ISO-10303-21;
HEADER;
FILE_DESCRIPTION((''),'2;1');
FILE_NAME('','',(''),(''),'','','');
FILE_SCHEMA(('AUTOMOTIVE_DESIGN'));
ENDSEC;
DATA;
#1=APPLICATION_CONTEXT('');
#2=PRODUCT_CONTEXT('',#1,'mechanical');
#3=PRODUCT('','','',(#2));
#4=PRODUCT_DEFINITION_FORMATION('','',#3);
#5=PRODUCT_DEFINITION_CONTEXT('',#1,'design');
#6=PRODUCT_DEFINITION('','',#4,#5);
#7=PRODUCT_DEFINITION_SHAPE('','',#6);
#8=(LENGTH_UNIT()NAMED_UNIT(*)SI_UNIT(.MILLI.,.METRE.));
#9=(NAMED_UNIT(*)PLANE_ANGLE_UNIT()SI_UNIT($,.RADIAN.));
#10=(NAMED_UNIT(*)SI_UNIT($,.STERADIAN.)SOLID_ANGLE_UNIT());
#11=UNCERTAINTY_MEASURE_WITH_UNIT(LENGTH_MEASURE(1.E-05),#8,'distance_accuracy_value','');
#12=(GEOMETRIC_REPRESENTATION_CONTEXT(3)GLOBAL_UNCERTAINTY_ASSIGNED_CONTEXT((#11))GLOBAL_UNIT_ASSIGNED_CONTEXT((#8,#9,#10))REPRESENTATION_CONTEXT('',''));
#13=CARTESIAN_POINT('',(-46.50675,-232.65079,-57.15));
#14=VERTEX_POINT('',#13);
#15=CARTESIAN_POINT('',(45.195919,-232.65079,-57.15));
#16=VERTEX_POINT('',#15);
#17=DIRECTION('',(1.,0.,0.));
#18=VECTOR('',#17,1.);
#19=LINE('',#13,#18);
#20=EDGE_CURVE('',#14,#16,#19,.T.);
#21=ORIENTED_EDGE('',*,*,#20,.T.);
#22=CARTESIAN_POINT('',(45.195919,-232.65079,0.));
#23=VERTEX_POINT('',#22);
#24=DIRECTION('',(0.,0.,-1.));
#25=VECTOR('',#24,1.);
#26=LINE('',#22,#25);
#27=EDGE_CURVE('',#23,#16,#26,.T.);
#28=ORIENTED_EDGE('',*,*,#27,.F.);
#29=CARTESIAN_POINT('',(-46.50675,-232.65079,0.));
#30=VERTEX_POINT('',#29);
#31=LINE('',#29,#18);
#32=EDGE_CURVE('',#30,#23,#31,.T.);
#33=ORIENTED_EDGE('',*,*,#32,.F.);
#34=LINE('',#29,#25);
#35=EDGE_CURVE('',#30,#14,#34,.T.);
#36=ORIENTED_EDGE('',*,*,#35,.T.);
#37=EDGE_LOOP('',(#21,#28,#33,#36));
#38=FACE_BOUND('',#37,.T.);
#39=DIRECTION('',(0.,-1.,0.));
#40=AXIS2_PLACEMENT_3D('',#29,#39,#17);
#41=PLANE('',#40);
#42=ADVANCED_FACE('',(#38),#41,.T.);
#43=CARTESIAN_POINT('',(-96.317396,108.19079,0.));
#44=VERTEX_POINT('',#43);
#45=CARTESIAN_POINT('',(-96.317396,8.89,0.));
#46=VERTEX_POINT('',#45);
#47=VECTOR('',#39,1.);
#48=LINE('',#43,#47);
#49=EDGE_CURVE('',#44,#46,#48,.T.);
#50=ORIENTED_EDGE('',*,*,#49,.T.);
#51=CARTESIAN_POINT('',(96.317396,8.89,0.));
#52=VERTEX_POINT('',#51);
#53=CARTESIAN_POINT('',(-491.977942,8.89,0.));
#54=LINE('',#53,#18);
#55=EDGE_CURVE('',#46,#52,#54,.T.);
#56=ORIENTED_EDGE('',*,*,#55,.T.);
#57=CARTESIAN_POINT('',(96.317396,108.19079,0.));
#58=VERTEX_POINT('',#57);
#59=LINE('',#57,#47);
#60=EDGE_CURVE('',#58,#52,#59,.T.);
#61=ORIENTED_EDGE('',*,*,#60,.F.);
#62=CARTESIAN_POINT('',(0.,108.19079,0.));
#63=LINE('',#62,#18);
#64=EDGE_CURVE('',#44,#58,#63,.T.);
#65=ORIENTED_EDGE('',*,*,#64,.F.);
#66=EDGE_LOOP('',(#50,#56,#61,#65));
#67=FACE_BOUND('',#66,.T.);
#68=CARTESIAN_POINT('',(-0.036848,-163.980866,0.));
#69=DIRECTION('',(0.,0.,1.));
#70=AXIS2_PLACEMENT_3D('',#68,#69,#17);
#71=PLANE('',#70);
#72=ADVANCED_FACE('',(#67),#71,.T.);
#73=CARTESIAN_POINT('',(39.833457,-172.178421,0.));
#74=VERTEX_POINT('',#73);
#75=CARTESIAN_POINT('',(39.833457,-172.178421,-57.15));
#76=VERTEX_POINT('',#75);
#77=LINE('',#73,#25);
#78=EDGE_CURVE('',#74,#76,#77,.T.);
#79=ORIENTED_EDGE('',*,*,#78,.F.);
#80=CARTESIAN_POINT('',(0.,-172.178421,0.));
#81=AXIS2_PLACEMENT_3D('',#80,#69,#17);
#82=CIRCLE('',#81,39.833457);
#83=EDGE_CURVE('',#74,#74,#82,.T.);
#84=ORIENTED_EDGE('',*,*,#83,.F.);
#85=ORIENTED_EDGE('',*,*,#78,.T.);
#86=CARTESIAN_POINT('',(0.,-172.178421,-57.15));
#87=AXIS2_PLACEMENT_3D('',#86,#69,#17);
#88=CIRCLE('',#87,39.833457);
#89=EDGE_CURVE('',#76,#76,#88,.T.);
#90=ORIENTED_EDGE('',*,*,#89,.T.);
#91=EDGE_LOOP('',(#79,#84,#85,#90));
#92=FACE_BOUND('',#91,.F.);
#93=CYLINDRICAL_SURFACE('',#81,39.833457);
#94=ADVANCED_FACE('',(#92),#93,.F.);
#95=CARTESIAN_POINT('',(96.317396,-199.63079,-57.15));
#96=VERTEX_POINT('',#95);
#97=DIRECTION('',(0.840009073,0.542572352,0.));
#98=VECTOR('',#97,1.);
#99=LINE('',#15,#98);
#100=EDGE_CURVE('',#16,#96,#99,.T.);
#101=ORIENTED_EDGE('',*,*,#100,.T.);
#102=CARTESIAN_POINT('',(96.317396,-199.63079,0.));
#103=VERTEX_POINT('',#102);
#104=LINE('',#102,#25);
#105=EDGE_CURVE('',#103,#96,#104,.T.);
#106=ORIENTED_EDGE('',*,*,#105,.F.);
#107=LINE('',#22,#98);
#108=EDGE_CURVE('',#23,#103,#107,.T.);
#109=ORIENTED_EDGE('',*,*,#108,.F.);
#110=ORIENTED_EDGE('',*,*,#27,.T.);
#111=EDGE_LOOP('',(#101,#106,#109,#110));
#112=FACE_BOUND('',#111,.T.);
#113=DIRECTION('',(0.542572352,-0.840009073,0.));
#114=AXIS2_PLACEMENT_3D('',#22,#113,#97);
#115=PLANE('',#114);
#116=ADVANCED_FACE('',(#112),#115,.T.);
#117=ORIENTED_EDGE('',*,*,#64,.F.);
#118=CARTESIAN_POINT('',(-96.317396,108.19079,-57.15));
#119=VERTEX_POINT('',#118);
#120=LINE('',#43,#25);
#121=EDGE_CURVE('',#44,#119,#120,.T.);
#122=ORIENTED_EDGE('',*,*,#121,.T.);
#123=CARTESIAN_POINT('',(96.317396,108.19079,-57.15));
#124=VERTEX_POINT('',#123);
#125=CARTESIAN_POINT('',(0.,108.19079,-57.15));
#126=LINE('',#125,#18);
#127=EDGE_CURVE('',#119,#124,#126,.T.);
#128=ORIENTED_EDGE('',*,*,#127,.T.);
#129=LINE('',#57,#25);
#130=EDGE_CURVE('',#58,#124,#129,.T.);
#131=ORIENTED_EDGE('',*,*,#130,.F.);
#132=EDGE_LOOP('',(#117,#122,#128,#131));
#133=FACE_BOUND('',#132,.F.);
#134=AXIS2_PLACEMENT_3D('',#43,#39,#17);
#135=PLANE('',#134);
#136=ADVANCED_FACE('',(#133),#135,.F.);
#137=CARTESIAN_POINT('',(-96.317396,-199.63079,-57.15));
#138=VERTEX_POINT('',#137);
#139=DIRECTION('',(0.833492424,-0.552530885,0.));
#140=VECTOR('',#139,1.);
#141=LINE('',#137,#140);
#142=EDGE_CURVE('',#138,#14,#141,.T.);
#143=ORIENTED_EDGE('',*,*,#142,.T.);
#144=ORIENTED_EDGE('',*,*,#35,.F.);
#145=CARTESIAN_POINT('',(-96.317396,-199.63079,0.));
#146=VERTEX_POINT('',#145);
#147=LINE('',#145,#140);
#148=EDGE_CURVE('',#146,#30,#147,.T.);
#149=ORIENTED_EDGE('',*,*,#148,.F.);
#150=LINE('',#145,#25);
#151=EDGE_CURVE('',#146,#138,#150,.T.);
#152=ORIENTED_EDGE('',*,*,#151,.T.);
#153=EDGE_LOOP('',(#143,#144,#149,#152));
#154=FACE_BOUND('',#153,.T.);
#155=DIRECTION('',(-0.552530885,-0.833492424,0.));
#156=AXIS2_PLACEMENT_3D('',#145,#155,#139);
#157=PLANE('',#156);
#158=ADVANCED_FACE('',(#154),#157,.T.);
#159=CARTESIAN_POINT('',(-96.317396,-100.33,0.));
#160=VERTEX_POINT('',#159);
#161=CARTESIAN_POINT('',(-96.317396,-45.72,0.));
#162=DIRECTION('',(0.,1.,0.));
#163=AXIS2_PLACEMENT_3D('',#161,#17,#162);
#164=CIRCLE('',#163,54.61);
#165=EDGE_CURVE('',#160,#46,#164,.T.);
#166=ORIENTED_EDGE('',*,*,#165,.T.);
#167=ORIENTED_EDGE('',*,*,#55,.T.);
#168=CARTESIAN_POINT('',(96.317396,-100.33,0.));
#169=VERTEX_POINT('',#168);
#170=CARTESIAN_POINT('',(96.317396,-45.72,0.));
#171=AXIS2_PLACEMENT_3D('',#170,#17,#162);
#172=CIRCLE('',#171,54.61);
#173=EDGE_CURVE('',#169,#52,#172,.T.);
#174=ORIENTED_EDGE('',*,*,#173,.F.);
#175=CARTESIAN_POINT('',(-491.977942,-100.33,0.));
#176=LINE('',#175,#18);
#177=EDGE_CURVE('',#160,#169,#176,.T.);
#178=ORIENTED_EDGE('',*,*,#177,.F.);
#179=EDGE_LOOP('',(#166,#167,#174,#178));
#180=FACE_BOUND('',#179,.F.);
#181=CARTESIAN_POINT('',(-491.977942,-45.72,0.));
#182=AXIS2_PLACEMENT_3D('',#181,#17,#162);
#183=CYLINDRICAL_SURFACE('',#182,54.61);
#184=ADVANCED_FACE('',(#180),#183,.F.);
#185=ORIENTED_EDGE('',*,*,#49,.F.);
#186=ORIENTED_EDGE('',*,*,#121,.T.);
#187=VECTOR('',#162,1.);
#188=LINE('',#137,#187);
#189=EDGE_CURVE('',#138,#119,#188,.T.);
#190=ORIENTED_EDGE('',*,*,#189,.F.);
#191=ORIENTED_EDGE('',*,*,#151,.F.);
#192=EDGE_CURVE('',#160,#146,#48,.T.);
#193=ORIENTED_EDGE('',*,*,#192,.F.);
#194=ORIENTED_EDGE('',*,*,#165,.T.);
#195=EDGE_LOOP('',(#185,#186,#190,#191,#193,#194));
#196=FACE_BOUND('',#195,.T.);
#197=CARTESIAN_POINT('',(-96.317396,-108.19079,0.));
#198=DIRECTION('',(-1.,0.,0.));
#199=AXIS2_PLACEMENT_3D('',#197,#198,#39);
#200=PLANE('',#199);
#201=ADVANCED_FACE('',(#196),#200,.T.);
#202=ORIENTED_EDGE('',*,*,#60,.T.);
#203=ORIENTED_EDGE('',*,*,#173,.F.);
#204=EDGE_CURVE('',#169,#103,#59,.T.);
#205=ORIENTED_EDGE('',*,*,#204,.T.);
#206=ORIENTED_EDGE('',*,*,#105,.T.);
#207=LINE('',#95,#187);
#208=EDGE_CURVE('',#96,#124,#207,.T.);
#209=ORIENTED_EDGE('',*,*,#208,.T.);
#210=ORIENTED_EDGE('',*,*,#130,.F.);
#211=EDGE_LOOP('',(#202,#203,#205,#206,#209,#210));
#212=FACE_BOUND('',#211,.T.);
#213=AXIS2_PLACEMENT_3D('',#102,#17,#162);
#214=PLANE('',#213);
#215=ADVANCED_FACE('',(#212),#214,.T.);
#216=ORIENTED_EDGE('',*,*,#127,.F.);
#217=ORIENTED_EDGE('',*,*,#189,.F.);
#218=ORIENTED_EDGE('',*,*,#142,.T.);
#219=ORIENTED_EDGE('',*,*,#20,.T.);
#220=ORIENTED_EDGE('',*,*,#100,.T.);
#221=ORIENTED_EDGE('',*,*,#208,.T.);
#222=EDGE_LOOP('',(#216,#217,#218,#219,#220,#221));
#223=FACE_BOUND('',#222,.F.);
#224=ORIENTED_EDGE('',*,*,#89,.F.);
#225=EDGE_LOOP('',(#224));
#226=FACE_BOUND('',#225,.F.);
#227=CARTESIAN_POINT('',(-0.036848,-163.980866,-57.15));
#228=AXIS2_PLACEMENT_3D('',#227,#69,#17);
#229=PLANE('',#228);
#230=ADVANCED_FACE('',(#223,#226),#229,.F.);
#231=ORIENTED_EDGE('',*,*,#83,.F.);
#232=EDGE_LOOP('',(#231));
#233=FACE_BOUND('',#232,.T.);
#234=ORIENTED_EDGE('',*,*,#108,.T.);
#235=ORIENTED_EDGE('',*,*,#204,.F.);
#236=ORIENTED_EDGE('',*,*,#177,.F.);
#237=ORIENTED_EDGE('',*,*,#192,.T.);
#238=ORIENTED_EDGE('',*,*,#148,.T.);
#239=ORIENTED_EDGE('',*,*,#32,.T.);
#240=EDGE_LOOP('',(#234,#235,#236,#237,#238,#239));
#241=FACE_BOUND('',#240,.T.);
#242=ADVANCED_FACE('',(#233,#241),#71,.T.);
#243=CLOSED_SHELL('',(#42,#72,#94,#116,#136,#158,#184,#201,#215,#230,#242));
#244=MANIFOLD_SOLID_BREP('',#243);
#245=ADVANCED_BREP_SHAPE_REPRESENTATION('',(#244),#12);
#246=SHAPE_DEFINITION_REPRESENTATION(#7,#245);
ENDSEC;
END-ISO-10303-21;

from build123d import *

# Parameters (mm, degrees)
F0_W     = 192.6347911358
F0_H     = 216.3815796375
F1_DEPTH = 57.15
F2_R     = 39.8334565753
F3_DEPTH = 57.15
F5_D     = 109.22


with BuildPart() as f1:
    # F0 (on Top) → F1 (new body)
    with BuildSketch(Plane.XY):
        Rectangle(F0_W, F0_H)
    extrude(amount=-F1_DEPTH)

    # F2 (on face) → F3 (join)
    with BuildSketch(Plane.XY):
        Polygon((96.3173955679, -108.1907898188), (-96.3173955679, -108.1907898188), (-96.3173955679, -199.6307898188), (-46.5067504646, -232.6507898188), (45.1959193569, -232.6507898188), (96.3173955679, -199.6307898188), align=None)
        with Locations((0, -172.1784213857)):
            Circle(F2_R, mode=Mode.SUBTRACT)
    extrude(amount=-F3_DEPTH)

    # F5 (through all)
    with Locations(Plane(origin=(-96.3173955679, 0, 0), x_dir=(0, -1, 0), z_dir=(-1, 0, 0))):
        with Locations((45.72, 0)):
            Hole(F5_D / 2)


solid = f1.part
